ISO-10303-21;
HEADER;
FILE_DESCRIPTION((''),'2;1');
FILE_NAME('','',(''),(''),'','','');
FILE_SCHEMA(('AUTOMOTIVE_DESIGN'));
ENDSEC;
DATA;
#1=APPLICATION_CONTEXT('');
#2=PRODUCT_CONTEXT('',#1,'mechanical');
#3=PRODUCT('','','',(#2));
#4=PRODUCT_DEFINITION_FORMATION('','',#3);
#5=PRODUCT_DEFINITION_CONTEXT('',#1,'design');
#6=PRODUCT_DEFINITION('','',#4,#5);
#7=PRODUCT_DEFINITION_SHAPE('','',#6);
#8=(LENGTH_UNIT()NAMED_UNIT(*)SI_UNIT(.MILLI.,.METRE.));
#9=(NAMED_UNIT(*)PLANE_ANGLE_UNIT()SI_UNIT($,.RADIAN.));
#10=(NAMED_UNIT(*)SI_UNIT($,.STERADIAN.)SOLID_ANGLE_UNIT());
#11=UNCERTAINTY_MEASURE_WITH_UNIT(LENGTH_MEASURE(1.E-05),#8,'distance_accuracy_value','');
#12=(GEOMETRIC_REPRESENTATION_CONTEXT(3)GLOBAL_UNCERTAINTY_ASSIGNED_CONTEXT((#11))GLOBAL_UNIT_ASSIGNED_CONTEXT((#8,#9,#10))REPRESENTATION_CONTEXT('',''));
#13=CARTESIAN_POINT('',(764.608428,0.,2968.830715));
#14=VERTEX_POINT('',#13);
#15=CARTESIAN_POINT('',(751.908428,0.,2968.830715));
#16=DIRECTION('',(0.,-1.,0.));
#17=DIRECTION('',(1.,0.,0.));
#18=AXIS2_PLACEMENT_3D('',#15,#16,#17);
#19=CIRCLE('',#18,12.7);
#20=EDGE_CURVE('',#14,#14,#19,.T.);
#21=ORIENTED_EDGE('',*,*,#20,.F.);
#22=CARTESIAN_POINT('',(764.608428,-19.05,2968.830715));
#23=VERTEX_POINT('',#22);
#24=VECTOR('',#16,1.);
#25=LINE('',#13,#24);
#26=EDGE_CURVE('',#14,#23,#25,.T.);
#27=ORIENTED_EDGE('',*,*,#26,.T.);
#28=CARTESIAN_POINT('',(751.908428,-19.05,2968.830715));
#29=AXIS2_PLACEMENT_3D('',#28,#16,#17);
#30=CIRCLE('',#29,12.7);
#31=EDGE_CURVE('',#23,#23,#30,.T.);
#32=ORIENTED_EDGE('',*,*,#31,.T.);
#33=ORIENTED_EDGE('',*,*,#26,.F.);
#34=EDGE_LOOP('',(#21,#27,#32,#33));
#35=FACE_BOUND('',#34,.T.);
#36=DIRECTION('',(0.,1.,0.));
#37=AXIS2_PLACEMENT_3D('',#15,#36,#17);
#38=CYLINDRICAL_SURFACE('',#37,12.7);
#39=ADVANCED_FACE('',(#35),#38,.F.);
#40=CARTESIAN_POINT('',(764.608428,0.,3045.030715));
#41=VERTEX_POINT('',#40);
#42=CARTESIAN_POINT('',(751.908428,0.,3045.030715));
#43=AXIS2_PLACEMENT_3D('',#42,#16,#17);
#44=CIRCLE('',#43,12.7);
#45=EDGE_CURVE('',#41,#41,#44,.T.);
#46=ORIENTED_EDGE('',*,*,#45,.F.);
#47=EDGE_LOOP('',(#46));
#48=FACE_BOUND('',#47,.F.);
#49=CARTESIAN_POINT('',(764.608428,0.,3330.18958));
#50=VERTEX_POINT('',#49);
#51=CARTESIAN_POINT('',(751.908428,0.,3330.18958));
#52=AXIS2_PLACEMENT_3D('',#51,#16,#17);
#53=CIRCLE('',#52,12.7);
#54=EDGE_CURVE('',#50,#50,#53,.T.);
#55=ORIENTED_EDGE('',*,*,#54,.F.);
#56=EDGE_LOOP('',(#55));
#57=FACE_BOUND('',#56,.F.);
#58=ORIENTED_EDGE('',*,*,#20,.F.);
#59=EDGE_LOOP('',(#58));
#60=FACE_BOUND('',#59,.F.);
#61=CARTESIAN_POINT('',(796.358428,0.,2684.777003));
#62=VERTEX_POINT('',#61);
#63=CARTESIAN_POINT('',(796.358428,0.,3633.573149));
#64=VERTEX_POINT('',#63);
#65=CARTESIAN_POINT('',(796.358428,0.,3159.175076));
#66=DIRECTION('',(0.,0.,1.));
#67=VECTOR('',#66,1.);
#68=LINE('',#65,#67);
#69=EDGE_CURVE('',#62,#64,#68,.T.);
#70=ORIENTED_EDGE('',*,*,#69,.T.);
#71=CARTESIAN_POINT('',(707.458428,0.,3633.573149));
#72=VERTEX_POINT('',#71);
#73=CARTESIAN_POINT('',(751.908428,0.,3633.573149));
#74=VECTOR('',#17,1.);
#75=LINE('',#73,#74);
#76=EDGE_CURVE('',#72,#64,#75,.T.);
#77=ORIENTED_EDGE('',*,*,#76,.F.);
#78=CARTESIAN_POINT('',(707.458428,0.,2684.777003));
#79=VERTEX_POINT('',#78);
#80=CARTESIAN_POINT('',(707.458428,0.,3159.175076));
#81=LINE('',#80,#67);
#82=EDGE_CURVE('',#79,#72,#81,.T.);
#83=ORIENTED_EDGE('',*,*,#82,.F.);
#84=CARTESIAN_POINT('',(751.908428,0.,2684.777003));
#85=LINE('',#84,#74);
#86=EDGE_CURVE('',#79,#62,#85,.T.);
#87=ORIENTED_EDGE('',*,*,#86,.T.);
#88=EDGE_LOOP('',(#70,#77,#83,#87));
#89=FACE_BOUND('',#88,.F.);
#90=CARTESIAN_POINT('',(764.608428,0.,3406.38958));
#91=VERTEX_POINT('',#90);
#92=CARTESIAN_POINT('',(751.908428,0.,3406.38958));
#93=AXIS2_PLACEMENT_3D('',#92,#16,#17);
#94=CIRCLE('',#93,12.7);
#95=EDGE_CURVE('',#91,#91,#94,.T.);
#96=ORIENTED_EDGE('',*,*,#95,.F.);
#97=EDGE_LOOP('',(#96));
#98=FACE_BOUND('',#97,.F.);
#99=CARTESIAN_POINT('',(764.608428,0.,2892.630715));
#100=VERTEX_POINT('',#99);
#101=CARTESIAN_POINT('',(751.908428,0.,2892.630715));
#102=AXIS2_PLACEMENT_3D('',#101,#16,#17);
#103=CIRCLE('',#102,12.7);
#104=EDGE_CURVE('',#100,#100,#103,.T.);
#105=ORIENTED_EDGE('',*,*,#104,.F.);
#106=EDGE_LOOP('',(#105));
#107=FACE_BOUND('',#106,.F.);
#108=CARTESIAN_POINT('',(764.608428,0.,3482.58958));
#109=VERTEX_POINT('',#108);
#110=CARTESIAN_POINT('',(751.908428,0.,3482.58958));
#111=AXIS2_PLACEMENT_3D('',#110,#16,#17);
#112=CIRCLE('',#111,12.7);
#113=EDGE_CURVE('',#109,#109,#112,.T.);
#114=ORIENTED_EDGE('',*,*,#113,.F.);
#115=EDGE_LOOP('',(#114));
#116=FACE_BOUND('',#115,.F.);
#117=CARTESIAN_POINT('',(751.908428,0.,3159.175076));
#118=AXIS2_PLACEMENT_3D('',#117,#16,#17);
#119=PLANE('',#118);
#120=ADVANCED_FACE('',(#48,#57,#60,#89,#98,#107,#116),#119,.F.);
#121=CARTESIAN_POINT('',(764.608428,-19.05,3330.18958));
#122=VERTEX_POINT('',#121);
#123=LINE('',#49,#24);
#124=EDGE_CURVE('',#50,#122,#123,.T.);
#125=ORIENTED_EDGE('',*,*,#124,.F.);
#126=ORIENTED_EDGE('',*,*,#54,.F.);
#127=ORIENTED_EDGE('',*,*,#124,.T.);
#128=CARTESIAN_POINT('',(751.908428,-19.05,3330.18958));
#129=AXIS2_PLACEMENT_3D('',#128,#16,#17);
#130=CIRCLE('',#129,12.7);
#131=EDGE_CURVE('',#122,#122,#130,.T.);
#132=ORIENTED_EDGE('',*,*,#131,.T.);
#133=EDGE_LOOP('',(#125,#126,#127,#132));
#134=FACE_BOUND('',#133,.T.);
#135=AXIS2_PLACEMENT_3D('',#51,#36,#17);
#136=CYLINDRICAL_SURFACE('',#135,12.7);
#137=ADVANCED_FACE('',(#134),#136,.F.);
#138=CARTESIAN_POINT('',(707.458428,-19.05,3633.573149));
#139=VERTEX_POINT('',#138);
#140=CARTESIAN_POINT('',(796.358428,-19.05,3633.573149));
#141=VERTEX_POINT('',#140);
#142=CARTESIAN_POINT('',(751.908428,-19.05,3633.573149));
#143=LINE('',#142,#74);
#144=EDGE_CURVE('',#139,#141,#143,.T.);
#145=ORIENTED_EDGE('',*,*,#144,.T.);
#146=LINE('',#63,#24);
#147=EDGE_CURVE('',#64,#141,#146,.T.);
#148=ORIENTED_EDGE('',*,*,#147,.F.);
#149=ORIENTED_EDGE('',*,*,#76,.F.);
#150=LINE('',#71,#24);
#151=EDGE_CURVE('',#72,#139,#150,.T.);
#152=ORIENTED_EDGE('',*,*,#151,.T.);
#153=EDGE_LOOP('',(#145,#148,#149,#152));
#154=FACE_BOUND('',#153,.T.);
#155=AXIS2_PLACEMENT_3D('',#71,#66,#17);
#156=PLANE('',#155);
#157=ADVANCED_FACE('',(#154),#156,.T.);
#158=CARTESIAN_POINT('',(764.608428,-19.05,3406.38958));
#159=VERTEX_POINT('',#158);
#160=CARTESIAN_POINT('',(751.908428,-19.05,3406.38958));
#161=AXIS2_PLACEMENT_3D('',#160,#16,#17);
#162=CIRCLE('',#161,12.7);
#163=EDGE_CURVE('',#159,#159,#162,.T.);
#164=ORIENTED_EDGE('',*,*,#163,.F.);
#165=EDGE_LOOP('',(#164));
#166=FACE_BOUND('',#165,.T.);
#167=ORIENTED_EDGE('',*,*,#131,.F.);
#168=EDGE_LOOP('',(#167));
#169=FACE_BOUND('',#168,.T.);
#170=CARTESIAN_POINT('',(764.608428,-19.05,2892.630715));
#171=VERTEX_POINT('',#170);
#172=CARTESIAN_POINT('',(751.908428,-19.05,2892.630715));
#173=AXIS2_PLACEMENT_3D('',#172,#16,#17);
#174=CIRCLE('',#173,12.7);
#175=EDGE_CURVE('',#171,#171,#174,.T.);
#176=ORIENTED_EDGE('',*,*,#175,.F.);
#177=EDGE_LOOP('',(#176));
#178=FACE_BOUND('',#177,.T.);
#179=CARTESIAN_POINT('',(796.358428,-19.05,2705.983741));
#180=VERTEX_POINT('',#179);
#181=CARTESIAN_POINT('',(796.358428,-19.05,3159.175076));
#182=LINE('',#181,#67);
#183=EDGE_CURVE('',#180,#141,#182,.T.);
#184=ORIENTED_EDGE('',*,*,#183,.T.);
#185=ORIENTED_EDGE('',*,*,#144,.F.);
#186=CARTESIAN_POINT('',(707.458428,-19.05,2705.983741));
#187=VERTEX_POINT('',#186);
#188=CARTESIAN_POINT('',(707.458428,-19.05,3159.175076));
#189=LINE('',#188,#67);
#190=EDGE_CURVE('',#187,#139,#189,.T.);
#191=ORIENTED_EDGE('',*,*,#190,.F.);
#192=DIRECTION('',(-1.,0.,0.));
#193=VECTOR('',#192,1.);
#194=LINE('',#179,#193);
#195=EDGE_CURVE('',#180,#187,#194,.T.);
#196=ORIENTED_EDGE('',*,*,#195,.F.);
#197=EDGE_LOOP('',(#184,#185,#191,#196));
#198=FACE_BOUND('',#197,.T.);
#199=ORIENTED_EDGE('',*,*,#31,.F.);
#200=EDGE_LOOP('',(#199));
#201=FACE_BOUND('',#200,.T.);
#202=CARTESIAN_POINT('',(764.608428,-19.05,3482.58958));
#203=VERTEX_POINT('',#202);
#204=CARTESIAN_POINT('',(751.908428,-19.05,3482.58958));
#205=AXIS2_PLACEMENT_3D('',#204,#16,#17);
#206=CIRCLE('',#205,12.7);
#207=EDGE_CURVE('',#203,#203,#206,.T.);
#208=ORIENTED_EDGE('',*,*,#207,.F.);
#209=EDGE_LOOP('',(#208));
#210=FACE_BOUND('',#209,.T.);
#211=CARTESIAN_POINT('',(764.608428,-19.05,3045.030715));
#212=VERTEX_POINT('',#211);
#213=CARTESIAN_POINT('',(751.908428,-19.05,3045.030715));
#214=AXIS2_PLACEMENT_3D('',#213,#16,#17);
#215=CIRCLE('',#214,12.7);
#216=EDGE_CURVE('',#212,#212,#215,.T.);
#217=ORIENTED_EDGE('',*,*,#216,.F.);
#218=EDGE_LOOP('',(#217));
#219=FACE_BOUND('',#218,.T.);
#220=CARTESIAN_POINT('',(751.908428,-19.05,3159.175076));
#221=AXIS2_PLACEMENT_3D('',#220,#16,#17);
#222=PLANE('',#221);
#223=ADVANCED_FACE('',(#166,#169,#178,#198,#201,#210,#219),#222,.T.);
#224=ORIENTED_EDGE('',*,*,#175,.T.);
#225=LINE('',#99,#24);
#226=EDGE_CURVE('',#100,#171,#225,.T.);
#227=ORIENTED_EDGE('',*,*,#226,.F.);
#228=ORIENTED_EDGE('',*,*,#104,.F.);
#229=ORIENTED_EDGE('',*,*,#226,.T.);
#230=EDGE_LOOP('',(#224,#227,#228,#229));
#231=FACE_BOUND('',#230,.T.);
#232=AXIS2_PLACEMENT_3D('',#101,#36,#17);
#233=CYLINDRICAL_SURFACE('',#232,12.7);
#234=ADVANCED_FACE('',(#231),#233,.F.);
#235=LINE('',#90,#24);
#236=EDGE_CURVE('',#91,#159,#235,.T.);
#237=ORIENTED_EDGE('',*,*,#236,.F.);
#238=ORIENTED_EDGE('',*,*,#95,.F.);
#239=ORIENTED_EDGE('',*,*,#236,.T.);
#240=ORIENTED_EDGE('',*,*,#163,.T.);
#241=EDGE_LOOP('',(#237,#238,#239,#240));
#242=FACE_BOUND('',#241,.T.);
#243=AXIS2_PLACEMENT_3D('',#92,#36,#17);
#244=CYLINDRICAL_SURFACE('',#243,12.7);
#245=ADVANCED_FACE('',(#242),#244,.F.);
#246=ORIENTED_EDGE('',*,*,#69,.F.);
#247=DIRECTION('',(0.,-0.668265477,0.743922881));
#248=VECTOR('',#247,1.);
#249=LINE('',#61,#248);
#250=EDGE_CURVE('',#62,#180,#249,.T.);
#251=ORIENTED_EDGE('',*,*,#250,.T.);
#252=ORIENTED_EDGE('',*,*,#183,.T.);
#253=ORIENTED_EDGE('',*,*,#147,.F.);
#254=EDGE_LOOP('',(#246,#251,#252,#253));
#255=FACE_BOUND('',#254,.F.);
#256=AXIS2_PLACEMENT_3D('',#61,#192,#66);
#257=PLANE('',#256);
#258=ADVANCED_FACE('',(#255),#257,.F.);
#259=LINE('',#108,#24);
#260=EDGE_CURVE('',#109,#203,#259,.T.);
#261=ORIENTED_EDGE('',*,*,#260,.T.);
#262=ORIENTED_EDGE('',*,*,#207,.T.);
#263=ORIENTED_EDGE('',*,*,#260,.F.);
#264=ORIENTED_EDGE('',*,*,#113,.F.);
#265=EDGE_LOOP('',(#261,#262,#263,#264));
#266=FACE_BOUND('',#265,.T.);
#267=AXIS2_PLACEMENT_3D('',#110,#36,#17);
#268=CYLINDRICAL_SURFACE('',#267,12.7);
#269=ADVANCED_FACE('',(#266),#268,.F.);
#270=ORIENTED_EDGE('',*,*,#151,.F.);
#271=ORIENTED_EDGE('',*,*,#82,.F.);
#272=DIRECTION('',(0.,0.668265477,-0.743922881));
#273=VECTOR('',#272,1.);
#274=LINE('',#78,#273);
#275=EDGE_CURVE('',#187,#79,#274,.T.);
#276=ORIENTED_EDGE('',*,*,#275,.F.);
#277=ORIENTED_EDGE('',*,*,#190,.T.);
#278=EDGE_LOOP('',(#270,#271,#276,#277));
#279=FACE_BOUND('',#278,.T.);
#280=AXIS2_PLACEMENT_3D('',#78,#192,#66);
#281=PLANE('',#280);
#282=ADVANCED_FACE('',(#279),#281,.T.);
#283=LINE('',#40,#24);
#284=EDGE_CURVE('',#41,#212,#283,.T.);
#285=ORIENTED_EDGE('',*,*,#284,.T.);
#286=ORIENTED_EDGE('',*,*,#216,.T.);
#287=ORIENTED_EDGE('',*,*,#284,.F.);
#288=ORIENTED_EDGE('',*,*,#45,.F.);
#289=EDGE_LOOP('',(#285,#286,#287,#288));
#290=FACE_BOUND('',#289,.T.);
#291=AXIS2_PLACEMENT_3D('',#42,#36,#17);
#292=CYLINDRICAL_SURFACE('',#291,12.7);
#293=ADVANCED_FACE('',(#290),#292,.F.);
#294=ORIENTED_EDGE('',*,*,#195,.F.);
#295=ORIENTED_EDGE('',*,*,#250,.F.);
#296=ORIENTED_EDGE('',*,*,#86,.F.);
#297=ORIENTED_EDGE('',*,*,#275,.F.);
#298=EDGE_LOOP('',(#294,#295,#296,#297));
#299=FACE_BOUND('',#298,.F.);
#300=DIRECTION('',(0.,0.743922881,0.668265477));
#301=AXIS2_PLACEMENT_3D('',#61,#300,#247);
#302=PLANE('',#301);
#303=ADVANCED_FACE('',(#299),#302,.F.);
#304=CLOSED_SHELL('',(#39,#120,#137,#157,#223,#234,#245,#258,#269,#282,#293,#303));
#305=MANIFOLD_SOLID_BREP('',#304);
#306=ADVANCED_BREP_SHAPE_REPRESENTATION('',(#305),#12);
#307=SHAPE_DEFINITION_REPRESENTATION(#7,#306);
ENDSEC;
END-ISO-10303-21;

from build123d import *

# Parameters (mm, degrees)
F0_W     = 88.9
F0_H     = 948.796146
F0_R     = 12.7
F1_DEPTH = 19.05
F3_DEPTH = 88.901


with BuildPart() as f1:
    # F0 (on Front) → F1 (new body)
    with BuildSketch(Plane.XZ):
        with Locations((751.908428, 3159.175076)):
            Rectangle(F0_W, F0_H)
        with Locations((751.908428, 2892.630715)):
            Circle(F0_R, mode=Mode.SUBTRACT)
        with Locations((751.908428, 2968.830715)):
            Circle(F0_R, mode=Mode.SUBTRACT)
        with Locations((751.908428, 3045.030715)):
            Circle(F0_R, mode=Mode.SUBTRACT)
        with Locations((751.908428, 3330.18958)):
            Circle(F0_R, mode=Mode.SUBTRACT)
        with Locations((751.908428, 3406.38958)):
            Circle(F0_R, mode=Mode.SUBTRACT)
        with Locations((751.908428, 3482.58958)):
            Circle(F0_R, mode=Mode.SUBTRACT)
    extrude(amount=F1_DEPTH)

    # F2 (on face) → F3 (cut, through all)
    with BuildSketch(Plane.YZ.offset(796.358428)):
        Polygon((-19.05, 2684.777003), (0, 2684.777003), (-19.05, 2705.983741), align=None)
    extrude(amount=-F3_DEPTH, mode=Mode.SUBTRACT)


solid = f1.part
